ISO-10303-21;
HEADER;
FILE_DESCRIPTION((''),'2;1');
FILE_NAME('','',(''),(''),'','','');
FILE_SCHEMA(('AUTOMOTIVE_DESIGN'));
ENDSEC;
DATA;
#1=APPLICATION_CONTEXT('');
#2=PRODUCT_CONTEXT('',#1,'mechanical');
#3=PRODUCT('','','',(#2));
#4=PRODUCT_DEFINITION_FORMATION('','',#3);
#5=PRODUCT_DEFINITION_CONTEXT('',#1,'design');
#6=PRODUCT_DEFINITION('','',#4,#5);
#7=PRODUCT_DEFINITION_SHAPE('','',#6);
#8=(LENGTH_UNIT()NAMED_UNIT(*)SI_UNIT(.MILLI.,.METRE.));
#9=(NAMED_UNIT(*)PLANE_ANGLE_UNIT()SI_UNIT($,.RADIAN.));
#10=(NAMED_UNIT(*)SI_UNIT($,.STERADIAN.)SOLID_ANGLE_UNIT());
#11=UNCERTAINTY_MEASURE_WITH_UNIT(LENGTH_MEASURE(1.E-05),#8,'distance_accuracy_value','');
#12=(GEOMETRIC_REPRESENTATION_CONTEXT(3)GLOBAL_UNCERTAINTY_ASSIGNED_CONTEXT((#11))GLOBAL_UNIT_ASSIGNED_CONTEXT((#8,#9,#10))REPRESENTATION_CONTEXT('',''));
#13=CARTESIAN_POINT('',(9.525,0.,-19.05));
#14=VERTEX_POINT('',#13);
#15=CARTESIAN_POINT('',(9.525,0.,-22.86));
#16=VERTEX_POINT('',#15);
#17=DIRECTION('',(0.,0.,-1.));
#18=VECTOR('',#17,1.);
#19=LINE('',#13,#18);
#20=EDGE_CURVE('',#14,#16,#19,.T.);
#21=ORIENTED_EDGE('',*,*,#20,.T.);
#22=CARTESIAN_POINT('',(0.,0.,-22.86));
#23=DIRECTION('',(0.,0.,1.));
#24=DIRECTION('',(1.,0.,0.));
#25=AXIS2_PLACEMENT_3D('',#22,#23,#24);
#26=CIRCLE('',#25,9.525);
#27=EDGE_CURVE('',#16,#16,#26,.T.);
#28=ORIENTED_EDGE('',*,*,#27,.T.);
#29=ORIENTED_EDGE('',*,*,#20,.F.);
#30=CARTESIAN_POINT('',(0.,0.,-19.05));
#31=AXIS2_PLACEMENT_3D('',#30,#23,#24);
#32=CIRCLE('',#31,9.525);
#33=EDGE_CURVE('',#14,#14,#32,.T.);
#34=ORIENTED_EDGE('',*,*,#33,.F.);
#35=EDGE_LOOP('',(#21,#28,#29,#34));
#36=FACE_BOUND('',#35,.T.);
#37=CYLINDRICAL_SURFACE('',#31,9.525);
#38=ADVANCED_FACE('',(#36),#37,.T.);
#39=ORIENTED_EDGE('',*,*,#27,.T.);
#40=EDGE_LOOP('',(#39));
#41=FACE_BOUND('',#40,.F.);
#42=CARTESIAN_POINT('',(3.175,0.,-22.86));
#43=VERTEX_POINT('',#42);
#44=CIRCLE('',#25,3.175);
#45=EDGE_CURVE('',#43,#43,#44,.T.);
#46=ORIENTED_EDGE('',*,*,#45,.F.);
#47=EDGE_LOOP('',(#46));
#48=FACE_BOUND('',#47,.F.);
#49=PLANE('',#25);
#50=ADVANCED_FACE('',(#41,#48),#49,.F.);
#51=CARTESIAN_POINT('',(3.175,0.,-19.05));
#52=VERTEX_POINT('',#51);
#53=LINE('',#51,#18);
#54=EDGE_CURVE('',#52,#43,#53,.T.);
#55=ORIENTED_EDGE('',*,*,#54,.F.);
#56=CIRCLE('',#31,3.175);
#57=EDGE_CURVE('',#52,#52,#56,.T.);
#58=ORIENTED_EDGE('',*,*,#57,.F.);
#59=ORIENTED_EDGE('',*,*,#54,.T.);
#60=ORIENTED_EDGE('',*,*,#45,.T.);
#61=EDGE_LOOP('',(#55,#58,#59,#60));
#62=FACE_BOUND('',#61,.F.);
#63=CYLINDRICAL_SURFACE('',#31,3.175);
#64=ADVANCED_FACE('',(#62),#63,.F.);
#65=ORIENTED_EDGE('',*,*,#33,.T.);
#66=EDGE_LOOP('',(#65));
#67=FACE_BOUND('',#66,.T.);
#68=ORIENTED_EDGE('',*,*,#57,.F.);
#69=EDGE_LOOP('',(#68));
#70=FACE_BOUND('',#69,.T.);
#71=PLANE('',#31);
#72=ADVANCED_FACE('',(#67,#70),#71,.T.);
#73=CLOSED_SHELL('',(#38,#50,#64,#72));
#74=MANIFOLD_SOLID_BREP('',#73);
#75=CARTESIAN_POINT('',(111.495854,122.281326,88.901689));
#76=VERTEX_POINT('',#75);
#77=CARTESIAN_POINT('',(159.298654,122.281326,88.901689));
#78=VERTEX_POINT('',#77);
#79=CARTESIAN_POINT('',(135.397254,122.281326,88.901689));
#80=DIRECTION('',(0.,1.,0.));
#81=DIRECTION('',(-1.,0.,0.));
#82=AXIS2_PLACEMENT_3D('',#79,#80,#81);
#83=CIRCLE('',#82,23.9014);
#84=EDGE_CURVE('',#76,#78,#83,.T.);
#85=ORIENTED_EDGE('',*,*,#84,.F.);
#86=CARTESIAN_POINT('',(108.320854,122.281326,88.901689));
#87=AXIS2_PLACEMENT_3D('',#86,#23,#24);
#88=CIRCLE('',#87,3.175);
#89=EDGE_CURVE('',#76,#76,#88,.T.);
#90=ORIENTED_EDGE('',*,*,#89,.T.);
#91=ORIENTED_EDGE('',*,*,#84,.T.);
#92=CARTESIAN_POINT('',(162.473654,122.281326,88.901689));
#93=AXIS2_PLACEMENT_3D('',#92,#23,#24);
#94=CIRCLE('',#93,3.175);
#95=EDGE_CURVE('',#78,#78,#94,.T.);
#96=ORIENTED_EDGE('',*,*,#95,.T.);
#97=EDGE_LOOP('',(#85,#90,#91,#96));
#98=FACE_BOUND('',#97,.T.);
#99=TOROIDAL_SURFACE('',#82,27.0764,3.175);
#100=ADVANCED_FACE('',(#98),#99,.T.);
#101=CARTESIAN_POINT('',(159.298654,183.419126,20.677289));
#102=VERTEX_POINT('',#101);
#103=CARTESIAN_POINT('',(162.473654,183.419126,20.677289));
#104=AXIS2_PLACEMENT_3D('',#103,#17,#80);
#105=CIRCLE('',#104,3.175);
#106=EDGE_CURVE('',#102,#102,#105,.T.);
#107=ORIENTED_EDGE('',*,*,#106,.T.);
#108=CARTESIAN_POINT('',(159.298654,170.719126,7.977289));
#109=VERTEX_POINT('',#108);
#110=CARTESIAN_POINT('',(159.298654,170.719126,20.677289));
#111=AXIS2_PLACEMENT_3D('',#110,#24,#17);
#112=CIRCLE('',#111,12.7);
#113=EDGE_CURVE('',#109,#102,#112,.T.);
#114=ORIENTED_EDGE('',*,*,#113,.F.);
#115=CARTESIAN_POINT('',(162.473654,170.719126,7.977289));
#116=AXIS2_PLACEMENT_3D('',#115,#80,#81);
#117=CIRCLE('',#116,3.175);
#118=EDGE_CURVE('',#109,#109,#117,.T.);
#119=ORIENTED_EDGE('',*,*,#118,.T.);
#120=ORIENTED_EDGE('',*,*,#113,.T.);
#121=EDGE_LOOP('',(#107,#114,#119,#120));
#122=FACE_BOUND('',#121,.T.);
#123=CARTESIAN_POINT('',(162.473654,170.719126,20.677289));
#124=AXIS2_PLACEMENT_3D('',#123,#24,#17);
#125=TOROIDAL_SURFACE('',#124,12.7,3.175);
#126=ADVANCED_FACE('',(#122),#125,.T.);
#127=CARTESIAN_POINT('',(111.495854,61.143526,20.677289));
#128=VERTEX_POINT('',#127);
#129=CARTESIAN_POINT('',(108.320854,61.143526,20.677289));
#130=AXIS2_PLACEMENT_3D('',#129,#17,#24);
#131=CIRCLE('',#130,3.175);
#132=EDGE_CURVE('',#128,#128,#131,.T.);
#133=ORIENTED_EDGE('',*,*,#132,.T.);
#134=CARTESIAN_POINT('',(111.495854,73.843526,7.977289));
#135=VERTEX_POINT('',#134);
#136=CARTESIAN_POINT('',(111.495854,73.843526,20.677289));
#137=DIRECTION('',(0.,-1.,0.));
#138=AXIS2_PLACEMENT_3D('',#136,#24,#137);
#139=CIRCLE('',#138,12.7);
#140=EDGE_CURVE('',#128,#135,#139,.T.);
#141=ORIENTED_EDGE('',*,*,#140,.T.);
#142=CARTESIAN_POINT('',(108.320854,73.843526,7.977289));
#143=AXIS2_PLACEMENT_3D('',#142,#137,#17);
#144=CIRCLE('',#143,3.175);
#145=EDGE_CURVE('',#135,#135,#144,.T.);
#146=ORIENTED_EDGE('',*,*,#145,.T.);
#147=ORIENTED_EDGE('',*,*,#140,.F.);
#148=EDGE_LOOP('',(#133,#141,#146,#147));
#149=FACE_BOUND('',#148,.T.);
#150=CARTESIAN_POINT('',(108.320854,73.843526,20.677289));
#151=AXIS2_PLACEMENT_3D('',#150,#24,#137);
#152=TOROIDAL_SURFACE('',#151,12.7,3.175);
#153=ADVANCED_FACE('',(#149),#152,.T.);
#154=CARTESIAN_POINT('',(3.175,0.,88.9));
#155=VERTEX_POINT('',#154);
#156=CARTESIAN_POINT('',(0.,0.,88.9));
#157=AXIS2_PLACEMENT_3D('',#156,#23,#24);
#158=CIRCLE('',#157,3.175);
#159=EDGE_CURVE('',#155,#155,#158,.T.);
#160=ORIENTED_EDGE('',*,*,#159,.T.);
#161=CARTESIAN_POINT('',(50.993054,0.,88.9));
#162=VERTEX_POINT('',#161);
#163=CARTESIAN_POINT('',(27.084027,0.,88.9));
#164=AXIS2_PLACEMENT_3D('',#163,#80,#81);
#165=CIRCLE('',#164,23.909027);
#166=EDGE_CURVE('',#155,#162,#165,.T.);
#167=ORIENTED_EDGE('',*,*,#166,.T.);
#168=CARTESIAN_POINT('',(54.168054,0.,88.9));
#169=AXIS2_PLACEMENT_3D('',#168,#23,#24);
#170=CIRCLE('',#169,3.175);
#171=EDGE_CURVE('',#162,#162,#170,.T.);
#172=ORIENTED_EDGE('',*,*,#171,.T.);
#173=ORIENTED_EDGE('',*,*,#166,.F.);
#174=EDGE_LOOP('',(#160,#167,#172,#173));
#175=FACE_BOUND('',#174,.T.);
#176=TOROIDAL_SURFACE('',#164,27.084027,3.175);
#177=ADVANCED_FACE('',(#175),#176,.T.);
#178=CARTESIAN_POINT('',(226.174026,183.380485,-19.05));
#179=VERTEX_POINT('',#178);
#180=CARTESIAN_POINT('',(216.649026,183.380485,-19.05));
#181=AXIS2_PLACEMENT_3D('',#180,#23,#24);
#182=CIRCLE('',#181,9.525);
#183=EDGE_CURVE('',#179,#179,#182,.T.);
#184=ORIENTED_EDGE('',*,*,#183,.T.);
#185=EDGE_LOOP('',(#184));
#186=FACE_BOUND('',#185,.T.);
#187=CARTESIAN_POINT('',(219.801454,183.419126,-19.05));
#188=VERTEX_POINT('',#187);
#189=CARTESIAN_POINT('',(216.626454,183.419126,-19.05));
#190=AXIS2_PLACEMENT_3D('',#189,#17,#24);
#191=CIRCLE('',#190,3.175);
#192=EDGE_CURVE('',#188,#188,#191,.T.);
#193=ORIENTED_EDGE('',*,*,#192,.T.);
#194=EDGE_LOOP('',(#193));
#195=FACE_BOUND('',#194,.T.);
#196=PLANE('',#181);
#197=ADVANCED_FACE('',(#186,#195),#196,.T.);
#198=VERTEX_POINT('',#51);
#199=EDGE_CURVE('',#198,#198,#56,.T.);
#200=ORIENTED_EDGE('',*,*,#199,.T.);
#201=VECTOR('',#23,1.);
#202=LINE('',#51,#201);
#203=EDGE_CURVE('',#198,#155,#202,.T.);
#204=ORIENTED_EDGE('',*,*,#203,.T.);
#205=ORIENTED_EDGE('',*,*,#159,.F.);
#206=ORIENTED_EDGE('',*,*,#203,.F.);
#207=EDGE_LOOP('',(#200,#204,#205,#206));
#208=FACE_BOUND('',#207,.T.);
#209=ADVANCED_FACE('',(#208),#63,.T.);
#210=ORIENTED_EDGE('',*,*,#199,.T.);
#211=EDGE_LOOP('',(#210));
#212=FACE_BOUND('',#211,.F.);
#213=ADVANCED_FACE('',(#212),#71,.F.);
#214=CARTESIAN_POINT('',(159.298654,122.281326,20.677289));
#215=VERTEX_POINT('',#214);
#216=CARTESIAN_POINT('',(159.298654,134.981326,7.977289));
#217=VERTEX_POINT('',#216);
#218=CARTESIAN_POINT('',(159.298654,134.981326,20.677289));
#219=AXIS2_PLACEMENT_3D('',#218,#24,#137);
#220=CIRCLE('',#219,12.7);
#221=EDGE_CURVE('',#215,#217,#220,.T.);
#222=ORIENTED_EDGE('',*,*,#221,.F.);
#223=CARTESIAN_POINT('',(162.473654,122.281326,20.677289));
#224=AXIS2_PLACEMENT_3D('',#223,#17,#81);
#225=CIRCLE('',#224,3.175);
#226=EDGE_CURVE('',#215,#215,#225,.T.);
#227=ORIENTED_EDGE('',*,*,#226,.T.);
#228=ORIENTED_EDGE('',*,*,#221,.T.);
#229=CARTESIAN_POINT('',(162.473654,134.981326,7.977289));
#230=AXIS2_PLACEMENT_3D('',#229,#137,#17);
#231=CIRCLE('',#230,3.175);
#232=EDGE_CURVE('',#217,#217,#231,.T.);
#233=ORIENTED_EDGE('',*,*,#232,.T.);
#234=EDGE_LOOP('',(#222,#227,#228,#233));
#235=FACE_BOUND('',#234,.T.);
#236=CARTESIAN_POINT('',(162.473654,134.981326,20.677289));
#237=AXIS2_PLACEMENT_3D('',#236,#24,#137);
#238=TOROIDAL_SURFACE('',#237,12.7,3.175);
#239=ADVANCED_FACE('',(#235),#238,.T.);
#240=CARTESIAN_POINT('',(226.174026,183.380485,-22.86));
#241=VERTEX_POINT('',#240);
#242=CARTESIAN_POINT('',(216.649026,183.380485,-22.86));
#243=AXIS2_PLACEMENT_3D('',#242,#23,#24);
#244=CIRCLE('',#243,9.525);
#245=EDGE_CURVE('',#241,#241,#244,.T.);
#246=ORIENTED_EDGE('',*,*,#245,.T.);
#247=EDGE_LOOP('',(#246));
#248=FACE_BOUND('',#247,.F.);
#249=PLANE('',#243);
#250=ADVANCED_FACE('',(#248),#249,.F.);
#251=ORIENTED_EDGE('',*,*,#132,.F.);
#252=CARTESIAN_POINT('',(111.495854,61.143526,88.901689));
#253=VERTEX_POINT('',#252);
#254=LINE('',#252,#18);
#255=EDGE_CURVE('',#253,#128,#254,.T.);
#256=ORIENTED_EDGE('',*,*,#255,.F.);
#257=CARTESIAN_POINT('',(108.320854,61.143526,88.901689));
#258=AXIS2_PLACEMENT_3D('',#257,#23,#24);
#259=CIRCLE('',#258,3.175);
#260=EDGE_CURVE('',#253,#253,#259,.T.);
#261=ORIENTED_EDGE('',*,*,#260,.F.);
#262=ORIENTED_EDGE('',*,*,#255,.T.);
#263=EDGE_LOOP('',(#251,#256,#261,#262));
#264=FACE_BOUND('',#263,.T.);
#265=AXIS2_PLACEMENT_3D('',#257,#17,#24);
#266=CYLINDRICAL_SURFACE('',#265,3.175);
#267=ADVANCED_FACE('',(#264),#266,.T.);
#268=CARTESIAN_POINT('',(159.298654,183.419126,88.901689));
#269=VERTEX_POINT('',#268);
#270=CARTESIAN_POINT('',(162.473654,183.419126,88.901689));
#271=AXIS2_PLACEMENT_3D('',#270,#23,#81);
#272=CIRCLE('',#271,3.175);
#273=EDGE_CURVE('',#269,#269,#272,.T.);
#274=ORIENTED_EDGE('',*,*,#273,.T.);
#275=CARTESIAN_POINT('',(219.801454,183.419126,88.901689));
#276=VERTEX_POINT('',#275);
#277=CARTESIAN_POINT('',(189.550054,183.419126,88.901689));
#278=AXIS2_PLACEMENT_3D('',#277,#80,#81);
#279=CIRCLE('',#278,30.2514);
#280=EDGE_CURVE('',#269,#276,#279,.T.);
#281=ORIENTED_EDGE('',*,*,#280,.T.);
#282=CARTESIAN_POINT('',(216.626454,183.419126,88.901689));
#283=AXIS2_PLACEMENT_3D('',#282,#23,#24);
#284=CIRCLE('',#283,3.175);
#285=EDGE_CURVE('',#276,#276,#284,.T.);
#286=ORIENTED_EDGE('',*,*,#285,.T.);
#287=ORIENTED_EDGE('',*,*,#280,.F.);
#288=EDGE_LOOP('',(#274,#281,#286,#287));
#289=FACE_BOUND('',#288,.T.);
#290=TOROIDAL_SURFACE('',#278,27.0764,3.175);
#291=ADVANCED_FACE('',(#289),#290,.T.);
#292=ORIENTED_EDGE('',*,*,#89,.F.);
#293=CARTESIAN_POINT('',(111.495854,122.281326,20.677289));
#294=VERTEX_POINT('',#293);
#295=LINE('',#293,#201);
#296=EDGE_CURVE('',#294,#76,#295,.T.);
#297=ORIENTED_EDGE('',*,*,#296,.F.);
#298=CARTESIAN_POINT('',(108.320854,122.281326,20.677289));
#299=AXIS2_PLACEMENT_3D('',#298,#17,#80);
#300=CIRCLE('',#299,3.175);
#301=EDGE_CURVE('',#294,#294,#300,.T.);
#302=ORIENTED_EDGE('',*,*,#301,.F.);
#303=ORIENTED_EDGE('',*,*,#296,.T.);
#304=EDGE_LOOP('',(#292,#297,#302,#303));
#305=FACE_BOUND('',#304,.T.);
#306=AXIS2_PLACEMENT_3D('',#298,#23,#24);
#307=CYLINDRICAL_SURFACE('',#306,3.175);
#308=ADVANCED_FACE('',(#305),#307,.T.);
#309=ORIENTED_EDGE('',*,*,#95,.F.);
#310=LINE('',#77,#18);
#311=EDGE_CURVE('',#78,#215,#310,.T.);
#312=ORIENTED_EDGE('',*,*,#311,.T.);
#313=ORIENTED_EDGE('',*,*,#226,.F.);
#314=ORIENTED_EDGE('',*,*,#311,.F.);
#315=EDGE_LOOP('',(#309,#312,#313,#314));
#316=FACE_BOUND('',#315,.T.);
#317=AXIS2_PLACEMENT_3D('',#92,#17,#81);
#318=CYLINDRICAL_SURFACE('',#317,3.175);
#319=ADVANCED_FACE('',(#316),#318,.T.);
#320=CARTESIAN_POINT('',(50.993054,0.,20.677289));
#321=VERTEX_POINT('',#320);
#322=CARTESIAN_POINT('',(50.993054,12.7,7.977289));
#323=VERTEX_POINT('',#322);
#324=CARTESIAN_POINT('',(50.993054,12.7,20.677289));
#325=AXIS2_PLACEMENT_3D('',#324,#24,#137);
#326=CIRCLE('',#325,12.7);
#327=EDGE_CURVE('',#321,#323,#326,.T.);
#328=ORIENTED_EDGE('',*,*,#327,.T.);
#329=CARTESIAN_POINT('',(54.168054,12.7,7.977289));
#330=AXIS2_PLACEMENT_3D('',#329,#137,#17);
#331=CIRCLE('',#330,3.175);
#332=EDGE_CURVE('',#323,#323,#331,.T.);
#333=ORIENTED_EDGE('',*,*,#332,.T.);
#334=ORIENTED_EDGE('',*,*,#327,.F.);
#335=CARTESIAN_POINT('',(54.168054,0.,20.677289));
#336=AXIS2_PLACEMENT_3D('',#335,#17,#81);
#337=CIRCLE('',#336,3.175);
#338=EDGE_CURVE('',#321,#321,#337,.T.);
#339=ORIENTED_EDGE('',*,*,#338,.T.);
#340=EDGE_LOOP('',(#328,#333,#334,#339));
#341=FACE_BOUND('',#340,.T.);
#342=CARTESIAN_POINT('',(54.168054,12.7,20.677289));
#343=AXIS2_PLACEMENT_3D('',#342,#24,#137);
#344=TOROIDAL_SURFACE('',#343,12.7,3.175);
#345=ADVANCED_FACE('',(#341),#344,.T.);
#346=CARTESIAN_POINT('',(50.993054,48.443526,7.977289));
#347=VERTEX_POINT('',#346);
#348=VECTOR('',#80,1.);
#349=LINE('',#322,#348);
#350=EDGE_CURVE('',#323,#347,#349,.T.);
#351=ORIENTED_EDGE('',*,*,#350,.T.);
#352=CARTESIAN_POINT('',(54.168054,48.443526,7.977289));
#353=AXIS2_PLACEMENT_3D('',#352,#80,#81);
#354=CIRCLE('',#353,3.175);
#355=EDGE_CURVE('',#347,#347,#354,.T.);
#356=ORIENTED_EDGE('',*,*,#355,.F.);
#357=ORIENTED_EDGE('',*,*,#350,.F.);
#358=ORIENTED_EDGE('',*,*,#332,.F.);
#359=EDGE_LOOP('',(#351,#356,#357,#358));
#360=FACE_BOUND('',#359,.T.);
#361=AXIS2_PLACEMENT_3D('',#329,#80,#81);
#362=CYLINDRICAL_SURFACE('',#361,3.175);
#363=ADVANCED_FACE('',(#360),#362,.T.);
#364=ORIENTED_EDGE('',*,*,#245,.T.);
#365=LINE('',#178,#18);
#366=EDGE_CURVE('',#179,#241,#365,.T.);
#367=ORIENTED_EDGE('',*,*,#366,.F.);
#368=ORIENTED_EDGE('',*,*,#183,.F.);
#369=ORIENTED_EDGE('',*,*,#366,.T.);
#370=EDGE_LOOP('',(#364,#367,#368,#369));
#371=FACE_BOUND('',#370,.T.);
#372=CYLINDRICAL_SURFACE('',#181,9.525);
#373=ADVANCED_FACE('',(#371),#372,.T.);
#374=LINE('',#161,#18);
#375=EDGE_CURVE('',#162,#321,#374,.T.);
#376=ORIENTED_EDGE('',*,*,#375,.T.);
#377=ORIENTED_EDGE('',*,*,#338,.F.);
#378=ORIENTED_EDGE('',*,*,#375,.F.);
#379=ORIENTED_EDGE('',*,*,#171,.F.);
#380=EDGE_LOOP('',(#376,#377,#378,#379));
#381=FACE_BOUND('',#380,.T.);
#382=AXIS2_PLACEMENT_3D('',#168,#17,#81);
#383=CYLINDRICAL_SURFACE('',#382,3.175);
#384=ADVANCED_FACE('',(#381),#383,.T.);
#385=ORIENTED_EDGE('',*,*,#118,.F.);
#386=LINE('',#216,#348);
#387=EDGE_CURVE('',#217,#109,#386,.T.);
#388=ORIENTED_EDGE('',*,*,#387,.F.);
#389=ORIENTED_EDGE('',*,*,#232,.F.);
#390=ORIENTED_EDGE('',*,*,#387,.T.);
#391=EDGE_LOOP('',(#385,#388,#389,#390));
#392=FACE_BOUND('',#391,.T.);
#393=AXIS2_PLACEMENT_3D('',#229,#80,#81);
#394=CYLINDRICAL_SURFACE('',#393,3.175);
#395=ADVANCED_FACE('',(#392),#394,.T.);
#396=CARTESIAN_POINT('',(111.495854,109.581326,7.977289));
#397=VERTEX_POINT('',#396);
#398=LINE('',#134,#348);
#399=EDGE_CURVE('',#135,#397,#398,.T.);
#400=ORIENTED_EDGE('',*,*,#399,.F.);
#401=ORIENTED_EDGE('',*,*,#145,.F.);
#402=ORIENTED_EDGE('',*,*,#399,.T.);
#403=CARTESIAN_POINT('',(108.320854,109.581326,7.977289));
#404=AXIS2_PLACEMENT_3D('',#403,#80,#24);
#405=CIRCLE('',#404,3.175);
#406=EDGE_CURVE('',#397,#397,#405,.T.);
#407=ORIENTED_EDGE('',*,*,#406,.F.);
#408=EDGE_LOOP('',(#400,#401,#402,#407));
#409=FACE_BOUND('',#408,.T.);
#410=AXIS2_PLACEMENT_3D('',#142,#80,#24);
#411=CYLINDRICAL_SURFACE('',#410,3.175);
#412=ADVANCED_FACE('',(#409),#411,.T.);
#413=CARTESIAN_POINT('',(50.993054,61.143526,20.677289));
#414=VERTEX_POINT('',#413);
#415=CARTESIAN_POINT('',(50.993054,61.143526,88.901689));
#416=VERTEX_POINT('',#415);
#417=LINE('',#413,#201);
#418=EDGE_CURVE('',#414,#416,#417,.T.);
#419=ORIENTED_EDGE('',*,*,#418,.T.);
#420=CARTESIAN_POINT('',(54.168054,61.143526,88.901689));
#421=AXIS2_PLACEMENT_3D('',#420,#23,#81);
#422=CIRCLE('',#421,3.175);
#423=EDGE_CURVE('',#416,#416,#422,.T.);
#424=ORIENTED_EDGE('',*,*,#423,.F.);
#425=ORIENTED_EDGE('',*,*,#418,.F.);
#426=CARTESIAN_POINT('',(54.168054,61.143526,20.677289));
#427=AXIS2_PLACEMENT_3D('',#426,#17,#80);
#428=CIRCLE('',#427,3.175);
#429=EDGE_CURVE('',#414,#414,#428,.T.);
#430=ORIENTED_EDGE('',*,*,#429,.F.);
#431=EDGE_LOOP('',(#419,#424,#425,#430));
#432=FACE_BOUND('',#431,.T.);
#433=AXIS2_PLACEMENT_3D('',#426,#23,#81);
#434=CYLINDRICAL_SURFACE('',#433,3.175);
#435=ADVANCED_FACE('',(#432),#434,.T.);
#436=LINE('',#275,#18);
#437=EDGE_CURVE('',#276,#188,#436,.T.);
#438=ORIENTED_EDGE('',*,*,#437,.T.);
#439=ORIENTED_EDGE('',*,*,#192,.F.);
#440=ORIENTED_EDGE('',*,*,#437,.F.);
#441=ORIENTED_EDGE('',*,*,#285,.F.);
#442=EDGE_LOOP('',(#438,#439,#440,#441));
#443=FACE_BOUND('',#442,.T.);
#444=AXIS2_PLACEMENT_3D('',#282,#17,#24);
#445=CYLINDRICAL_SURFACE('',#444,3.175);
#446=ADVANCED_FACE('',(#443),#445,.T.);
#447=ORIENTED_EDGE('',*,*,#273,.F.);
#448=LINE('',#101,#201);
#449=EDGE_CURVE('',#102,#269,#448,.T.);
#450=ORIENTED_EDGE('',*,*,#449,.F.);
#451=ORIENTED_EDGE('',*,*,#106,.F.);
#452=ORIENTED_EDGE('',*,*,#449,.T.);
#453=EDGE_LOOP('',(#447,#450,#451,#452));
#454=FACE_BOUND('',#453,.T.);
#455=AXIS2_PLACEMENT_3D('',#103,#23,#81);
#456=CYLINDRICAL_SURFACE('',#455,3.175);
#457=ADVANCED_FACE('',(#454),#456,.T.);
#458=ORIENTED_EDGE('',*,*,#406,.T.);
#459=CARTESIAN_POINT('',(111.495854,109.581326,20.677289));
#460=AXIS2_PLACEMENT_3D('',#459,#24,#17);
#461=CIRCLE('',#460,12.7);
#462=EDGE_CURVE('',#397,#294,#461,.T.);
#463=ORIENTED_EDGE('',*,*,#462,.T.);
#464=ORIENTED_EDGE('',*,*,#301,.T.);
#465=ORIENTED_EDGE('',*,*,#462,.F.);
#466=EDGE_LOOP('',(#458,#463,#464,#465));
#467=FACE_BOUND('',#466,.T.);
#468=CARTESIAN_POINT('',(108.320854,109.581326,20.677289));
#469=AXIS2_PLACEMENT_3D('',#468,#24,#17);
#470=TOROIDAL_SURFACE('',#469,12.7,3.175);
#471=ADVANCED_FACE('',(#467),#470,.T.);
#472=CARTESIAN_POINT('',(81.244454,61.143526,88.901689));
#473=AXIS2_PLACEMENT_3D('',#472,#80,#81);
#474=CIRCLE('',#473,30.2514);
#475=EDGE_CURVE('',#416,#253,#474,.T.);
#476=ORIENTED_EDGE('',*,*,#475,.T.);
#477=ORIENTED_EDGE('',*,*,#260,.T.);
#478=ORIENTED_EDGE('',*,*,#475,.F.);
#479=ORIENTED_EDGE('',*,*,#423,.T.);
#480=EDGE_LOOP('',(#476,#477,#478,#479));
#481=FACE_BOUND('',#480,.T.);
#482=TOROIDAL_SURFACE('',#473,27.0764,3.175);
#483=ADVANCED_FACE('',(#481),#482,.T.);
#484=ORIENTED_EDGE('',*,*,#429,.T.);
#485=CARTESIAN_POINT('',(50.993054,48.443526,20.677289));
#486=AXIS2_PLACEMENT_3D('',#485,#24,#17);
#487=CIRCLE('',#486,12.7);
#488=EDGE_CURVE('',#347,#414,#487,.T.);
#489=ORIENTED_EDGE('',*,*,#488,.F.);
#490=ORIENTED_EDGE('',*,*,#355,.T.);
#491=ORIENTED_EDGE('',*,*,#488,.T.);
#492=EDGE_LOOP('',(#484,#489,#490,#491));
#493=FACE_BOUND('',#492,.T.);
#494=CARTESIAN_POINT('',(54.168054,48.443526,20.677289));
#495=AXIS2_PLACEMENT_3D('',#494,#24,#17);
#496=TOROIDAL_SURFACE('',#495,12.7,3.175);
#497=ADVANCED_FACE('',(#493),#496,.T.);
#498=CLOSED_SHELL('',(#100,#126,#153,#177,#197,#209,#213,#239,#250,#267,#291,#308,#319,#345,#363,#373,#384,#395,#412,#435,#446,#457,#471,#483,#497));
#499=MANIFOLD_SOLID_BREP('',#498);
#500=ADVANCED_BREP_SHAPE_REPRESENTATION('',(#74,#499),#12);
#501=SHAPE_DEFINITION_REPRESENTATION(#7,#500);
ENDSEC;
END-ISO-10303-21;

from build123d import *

# Parameters (mm, degrees)
F14_R     = 3.175
F14_R_2   = 9.525
F16_DEPTH = 3.81
F18_R     = 9.525
F19_DEPTH = 3.81


with BuildPart() as f15:
    # F15: sweep along a path in F0, F2, F4, F6, F8, F10, F12
    with BuildLine(Plane.XZ) as f15_path:
        Line((0, -19.05), (0, 0))
        Line((0, 0), (0, 88.9))
        ThreePointArc((0, 88.9), (27.0840272317, 115.9840272317), (54.1680544633, 88.9))
    with BuildLine(Plane.YZ.offset(54.1680544633)) as f15_path_2:
        Line((0, 88.9), (0, 20.6772885093))
        ThreePointArc((0, 20.6772885093), (3.7197438789, 11.6970323883), (12.7, 7.9772885093))
        Line((12.7, 7.9772885093), (48.4435262451, 7.9772885093))
        ThreePointArc((48.4435262451, 7.9772885093), (57.4237823662, 11.6970323883), (61.1435262451, 20.6772885093))
    with BuildLine(Plane.XZ.offset(-61.1435262451)) as f15_path_3:
        Line((54.1680544633, 20.6772885093), (54.1680544633, 88.9016885093))
        ThreePointArc((54.1680544633, 88.9016885093), (81.2444544633, 115.9780885093), (108.3208544633, 88.9016885093))
    with BuildLine(Plane.YZ.offset(108.3208544633)) as f15_path_4:
        Line((61.1435262451, 88.9016885093), (61.1435262451, 20.6772885093))
        ThreePointArc((61.1435262451, 20.6772885093), (64.863270124, 11.6970323883), (73.8435262451, 7.9772885093))
        Line((73.8435262451, 7.9772885093), (109.5813262451, 7.9772885093))
        ThreePointArc((109.5813262451, 7.9772885093), (118.5615823662, 11.6970323883), (122.2813262451, 20.6772885093))
    with BuildLine(Plane.XZ.offset(-122.2813262451)) as f15_path_5:
        Line((108.3208544633, 20.6772885093), (108.3208544633, 88.9016885093))
        ThreePointArc((108.3208544633, 88.9016885093), (135.3972544633, 115.9780885093), (162.4736544633, 88.9016885093))
    with BuildLine(Plane.YZ.offset(162.4736544633)) as f15_path_6:
        Line((122.2813262451, 88.9016885093), (122.2813262451, 20.6772885093))
        ThreePointArc((122.2813262451, 20.6772885093), (126.001070124, 11.6970323883), (134.9813262451, 7.9772885093))
        Line((134.9813262451, 7.9772885093), (170.7191262451, 7.9772885093))
        ThreePointArc((170.7191262451, 7.9772885093), (179.6993823662, 11.6970323883), (183.4191262451, 20.6772885093))
    with BuildLine(Plane.XZ.offset(-183.4191262451)) as f15_path_7:
        Line((162.4736544633, 20.6772885093), (162.4736544633, 88.9016885093))
        ThreePointArc((162.4736544633, 88.9016885093), (189.5500544633, 115.9780885093), (216.6264544633, 88.9016885093))
        Line((216.6264544633, 88.9016885093), (216.6264544633, 0))
        Line((216.6264544633, 0), (216.6264544633, -19.05))
    # F14 (on plane+point) → F15 (sweep)
    with BuildSketch(Plane.XY.offset(-19.05)):
        Circle(F14_R)
    sweep(path=f15_path.line + f15_path_2.line + f15_path_3.line + f15_path_4.line + f15_path_5.line + f15_path_6.line + f15_path_7.line)

    # F18 (on plane+point) → F19 (join)
    with BuildSketch(Plane.XY.offset(-19.05)):
        with Locations((216.6490256786, 183.380484581)):
            Circle(F18_R)
    extrude(amount=-F19_DEPTH)


with BuildPart() as f16:
    # F14 (on plane+point) → F16 (new body)
    with BuildSketch(Plane.XY.offset(-19.05)):
        Circle(F14_R_2)
        Circle(F14_R, mode=Mode.SUBTRACT)
    extrude(amount=-F16_DEPTH)


solid = Compound([f15.part, f16.part])
